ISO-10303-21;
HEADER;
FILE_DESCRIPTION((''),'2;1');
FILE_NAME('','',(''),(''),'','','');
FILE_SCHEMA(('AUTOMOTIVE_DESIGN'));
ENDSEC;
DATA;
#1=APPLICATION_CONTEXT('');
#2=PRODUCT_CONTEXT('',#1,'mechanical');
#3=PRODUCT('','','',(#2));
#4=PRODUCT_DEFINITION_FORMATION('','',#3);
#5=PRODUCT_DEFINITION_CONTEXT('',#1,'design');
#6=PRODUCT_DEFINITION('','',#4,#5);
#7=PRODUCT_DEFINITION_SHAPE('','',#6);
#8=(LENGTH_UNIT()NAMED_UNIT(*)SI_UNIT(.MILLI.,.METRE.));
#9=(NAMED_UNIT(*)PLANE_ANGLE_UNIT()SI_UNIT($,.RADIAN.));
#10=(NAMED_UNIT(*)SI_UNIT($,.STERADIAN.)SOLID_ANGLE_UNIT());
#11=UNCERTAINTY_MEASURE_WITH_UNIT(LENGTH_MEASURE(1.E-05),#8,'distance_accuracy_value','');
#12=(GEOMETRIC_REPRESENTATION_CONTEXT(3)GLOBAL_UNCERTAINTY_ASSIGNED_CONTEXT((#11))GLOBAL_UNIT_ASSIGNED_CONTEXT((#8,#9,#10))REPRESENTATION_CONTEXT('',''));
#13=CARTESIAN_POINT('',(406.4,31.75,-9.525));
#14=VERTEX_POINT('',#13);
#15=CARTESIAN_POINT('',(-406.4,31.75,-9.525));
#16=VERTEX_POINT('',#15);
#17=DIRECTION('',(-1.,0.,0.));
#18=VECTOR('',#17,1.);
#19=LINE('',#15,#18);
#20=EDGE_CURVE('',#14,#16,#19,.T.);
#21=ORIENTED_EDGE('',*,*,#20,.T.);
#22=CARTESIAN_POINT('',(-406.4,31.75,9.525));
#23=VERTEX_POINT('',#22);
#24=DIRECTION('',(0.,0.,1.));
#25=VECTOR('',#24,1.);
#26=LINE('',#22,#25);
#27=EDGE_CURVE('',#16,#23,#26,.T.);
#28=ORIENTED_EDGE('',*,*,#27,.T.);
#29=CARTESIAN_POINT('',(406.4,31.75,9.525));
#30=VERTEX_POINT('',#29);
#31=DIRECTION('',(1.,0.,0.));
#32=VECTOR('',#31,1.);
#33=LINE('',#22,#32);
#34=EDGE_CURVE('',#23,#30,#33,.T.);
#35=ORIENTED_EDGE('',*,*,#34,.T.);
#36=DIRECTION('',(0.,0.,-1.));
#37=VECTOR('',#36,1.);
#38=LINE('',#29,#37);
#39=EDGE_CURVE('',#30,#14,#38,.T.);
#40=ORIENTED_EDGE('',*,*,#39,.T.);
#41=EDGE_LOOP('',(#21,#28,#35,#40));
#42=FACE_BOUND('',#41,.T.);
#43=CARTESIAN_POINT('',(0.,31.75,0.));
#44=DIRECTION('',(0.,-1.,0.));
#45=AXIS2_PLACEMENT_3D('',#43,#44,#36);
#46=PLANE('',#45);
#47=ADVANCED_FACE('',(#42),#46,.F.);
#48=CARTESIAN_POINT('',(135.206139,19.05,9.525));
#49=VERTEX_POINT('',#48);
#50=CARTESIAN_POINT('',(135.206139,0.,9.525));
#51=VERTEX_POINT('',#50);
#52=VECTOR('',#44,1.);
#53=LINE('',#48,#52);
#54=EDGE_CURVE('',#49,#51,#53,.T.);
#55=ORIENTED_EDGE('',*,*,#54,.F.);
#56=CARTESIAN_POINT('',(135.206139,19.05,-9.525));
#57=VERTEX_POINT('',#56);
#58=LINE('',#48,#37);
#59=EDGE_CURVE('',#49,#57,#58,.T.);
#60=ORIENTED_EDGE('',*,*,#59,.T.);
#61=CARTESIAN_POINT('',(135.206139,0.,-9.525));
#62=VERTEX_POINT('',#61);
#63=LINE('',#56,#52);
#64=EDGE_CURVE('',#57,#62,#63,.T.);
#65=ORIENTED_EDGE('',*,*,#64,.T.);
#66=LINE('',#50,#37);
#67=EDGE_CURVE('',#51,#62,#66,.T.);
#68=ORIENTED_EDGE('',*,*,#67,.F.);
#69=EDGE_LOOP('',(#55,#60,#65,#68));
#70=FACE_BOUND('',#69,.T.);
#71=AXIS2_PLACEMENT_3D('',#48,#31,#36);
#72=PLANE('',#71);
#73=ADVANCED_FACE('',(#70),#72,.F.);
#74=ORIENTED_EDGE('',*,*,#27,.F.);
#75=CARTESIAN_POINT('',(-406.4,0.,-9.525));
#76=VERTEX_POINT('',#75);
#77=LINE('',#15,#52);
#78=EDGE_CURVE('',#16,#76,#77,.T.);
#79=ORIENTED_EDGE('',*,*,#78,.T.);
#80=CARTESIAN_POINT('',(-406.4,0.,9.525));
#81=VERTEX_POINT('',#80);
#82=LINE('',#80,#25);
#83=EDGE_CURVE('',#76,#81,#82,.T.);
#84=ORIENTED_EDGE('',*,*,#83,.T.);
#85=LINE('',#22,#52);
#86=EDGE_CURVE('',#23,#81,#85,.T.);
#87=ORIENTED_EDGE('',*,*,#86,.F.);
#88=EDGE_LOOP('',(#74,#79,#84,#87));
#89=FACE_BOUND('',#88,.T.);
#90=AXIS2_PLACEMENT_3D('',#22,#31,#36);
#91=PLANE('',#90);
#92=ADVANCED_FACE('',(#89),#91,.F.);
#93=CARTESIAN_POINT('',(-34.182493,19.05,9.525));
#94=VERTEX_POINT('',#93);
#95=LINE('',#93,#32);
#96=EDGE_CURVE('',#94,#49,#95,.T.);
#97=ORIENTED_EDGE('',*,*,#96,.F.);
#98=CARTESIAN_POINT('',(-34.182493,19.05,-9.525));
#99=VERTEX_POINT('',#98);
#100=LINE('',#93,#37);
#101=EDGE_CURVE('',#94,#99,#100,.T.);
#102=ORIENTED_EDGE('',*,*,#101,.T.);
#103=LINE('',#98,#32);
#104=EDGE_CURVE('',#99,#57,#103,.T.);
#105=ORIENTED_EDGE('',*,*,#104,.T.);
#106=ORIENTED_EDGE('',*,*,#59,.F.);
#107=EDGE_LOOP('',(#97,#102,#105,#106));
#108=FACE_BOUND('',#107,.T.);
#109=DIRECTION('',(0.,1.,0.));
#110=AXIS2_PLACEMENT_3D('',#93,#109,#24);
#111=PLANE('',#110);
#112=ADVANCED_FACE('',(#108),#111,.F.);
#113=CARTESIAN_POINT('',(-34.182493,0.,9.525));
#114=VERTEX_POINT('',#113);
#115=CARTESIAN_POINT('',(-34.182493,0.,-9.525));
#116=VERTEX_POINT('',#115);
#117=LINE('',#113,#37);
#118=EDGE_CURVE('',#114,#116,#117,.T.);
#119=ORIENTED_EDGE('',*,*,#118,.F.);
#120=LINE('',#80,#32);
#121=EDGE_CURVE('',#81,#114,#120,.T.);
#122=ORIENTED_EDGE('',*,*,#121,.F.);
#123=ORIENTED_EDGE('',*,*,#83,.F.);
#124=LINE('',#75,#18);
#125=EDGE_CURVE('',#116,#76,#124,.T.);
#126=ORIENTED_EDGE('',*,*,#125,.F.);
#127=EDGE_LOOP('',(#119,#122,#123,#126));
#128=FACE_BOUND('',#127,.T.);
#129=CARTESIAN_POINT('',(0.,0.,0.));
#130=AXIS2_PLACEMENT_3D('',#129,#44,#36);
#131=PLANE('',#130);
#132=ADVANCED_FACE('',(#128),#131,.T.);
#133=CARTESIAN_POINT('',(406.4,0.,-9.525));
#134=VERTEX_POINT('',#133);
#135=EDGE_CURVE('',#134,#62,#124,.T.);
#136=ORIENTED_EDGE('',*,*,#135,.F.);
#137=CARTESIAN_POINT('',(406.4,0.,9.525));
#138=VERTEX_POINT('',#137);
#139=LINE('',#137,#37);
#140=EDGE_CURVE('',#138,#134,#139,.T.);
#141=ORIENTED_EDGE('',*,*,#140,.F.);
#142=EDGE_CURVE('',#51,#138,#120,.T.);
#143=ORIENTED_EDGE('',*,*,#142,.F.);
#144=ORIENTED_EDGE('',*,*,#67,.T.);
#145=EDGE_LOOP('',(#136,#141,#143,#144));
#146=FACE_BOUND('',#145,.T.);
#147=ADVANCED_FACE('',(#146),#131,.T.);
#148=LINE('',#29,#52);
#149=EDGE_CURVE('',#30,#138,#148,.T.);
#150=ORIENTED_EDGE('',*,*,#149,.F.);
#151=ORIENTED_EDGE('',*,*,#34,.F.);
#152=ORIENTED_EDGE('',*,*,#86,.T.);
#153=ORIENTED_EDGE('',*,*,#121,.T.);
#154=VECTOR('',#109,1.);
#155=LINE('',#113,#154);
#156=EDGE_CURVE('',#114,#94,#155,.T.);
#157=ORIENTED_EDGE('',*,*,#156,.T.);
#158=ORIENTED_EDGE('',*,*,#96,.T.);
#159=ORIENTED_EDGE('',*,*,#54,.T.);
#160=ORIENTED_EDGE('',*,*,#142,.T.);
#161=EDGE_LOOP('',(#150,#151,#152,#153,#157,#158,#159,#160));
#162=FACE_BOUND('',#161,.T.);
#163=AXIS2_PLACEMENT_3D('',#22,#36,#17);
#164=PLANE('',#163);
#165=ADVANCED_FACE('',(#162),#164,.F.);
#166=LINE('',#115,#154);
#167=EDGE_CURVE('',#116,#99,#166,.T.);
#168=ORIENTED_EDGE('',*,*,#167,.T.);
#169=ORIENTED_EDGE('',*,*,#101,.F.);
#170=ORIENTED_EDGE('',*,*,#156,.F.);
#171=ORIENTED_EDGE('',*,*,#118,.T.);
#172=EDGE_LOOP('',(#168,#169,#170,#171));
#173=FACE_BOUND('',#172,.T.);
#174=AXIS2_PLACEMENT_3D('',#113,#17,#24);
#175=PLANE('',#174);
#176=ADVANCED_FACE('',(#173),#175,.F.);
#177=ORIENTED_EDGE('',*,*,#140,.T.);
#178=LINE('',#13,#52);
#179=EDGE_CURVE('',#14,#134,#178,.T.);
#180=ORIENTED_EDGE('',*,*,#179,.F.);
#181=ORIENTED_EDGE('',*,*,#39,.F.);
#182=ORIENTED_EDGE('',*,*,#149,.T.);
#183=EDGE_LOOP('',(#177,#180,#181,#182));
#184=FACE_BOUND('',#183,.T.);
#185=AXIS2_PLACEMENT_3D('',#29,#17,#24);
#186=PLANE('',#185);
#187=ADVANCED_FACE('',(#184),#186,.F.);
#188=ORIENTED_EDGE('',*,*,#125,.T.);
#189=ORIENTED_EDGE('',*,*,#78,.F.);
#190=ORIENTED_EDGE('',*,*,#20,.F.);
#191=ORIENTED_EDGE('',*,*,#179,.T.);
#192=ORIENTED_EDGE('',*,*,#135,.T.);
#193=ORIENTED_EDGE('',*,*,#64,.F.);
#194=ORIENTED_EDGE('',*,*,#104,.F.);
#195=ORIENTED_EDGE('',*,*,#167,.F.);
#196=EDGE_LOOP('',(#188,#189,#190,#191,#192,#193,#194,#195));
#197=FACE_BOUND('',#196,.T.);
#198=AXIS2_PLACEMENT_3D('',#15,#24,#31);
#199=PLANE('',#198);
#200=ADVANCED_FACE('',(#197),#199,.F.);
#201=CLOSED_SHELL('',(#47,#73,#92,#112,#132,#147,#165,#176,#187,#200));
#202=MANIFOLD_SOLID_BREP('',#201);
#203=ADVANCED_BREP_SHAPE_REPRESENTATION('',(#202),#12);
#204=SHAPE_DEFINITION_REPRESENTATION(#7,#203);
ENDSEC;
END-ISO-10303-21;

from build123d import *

# Parameters (mm, degrees)
SKETCH1_W           = 812.8
SKETCH1_H           = 19.05
BOSS_EXTRUDE1_DEPTH = 31.75
SKETCH2_W           = 169.388632852
SKETCH2_H           = 19.05
CUT_EXTRUDE1_DEPTH  = 409.083232932


with BuildPart() as part:
    # Sketch1 → Boss-Extrude1 (new body)
    with BuildSketch(Plane(origin=(0, 0, 0), x_dir=(1, 0, 0), z_dir=(0, 1, 0))):
        Rectangle(SKETCH1_W, SKETCH1_H)
    extrude(amount=BOSS_EXTRUDE1_DEPTH)

    # Sketch2 → Cut-Extrude1 (cut, through all)
    with BuildSketch(Plane(origin=(0, 0, -9.525), x_dir=(-1, 0, 0), z_dir=(0, 0, -1))):
        with Locations((-50.51182299, 9.525)):
            Rectangle(SKETCH2_W, SKETCH2_H)
    extrude(amount=-CUT_EXTRUDE1_DEPTH, mode=Mode.SUBTRACT)


solid = part.part
